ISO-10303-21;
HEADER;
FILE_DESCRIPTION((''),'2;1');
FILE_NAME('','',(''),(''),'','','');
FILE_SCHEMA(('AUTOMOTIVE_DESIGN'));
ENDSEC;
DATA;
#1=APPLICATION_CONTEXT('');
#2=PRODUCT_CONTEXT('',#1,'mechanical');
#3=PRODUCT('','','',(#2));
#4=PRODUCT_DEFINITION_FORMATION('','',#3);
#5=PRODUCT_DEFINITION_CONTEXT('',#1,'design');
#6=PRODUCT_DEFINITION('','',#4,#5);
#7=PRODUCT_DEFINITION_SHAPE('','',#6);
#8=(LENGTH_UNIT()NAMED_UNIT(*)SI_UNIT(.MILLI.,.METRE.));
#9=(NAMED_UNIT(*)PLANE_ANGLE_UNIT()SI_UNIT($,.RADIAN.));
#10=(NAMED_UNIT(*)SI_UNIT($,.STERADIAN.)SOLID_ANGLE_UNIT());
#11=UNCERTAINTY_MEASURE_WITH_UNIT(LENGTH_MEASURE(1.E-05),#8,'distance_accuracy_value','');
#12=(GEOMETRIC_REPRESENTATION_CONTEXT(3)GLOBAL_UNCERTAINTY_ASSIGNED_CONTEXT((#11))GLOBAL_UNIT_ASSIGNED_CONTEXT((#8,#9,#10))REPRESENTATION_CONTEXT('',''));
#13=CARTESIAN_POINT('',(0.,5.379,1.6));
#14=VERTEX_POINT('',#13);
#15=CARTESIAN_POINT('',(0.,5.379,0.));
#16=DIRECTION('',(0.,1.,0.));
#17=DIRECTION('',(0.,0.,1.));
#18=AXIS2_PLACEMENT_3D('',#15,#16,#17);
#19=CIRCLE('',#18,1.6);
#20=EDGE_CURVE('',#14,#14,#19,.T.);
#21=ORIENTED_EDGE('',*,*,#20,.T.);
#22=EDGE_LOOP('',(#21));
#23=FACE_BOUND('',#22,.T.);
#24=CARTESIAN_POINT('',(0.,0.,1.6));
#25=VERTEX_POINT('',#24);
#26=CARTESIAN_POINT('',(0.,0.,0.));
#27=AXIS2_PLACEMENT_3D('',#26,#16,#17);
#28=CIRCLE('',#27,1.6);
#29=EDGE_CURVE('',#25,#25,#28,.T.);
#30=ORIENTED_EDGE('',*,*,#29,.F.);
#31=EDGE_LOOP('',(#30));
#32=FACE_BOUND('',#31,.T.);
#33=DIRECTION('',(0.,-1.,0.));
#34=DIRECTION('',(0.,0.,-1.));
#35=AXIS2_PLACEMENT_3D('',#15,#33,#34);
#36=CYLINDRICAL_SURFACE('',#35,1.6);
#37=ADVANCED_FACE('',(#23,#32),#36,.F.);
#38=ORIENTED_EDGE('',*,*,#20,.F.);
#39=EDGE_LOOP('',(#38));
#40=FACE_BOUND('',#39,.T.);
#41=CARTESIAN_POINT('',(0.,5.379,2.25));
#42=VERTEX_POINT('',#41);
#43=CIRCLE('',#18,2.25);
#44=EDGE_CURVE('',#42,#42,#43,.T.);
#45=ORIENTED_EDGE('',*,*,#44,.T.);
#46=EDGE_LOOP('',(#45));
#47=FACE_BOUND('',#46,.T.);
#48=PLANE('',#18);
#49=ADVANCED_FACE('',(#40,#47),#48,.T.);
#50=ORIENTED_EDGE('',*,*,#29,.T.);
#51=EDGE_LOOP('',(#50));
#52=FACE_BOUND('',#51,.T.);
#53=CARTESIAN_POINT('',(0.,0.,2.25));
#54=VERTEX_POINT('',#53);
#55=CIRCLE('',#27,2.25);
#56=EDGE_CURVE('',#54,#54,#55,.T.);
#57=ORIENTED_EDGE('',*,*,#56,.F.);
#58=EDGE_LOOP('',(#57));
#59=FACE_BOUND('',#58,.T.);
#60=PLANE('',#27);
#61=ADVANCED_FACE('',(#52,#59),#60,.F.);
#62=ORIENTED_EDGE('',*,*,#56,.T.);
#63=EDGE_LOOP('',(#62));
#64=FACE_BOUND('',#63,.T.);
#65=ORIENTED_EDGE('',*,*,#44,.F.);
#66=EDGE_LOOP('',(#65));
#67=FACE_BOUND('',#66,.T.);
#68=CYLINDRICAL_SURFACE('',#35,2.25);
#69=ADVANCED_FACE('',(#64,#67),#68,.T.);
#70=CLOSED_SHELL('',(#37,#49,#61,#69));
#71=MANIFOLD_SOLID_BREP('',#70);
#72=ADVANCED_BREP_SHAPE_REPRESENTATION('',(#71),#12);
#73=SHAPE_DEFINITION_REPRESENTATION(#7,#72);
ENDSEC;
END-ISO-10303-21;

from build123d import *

# Parameters (mm, degrees)
SKETCH1_R           = 2.25
SKETCH1_R_2         = 1.6
BOSS_EXTRUDE1_DEPTH = 5.379


with BuildPart() as part:
    # Sketch1 → Boss-Extrude1 (new body)
    with BuildSketch(Plane(origin=(0, 0, 0), x_dir=(1, 0, 0), z_dir=(0, 1, 0))):
        with Locations(Location((0, 0, 0), (0, 0, 270))):
            Circle(SKETCH1_R)
        with Locations(Location((0, 0, 0), (0, 0, 270))):
            Circle(SKETCH1_R_2, mode=Mode.SUBTRACT)
    extrude(amount=BOSS_EXTRUDE1_DEPTH)


solid = part.part
